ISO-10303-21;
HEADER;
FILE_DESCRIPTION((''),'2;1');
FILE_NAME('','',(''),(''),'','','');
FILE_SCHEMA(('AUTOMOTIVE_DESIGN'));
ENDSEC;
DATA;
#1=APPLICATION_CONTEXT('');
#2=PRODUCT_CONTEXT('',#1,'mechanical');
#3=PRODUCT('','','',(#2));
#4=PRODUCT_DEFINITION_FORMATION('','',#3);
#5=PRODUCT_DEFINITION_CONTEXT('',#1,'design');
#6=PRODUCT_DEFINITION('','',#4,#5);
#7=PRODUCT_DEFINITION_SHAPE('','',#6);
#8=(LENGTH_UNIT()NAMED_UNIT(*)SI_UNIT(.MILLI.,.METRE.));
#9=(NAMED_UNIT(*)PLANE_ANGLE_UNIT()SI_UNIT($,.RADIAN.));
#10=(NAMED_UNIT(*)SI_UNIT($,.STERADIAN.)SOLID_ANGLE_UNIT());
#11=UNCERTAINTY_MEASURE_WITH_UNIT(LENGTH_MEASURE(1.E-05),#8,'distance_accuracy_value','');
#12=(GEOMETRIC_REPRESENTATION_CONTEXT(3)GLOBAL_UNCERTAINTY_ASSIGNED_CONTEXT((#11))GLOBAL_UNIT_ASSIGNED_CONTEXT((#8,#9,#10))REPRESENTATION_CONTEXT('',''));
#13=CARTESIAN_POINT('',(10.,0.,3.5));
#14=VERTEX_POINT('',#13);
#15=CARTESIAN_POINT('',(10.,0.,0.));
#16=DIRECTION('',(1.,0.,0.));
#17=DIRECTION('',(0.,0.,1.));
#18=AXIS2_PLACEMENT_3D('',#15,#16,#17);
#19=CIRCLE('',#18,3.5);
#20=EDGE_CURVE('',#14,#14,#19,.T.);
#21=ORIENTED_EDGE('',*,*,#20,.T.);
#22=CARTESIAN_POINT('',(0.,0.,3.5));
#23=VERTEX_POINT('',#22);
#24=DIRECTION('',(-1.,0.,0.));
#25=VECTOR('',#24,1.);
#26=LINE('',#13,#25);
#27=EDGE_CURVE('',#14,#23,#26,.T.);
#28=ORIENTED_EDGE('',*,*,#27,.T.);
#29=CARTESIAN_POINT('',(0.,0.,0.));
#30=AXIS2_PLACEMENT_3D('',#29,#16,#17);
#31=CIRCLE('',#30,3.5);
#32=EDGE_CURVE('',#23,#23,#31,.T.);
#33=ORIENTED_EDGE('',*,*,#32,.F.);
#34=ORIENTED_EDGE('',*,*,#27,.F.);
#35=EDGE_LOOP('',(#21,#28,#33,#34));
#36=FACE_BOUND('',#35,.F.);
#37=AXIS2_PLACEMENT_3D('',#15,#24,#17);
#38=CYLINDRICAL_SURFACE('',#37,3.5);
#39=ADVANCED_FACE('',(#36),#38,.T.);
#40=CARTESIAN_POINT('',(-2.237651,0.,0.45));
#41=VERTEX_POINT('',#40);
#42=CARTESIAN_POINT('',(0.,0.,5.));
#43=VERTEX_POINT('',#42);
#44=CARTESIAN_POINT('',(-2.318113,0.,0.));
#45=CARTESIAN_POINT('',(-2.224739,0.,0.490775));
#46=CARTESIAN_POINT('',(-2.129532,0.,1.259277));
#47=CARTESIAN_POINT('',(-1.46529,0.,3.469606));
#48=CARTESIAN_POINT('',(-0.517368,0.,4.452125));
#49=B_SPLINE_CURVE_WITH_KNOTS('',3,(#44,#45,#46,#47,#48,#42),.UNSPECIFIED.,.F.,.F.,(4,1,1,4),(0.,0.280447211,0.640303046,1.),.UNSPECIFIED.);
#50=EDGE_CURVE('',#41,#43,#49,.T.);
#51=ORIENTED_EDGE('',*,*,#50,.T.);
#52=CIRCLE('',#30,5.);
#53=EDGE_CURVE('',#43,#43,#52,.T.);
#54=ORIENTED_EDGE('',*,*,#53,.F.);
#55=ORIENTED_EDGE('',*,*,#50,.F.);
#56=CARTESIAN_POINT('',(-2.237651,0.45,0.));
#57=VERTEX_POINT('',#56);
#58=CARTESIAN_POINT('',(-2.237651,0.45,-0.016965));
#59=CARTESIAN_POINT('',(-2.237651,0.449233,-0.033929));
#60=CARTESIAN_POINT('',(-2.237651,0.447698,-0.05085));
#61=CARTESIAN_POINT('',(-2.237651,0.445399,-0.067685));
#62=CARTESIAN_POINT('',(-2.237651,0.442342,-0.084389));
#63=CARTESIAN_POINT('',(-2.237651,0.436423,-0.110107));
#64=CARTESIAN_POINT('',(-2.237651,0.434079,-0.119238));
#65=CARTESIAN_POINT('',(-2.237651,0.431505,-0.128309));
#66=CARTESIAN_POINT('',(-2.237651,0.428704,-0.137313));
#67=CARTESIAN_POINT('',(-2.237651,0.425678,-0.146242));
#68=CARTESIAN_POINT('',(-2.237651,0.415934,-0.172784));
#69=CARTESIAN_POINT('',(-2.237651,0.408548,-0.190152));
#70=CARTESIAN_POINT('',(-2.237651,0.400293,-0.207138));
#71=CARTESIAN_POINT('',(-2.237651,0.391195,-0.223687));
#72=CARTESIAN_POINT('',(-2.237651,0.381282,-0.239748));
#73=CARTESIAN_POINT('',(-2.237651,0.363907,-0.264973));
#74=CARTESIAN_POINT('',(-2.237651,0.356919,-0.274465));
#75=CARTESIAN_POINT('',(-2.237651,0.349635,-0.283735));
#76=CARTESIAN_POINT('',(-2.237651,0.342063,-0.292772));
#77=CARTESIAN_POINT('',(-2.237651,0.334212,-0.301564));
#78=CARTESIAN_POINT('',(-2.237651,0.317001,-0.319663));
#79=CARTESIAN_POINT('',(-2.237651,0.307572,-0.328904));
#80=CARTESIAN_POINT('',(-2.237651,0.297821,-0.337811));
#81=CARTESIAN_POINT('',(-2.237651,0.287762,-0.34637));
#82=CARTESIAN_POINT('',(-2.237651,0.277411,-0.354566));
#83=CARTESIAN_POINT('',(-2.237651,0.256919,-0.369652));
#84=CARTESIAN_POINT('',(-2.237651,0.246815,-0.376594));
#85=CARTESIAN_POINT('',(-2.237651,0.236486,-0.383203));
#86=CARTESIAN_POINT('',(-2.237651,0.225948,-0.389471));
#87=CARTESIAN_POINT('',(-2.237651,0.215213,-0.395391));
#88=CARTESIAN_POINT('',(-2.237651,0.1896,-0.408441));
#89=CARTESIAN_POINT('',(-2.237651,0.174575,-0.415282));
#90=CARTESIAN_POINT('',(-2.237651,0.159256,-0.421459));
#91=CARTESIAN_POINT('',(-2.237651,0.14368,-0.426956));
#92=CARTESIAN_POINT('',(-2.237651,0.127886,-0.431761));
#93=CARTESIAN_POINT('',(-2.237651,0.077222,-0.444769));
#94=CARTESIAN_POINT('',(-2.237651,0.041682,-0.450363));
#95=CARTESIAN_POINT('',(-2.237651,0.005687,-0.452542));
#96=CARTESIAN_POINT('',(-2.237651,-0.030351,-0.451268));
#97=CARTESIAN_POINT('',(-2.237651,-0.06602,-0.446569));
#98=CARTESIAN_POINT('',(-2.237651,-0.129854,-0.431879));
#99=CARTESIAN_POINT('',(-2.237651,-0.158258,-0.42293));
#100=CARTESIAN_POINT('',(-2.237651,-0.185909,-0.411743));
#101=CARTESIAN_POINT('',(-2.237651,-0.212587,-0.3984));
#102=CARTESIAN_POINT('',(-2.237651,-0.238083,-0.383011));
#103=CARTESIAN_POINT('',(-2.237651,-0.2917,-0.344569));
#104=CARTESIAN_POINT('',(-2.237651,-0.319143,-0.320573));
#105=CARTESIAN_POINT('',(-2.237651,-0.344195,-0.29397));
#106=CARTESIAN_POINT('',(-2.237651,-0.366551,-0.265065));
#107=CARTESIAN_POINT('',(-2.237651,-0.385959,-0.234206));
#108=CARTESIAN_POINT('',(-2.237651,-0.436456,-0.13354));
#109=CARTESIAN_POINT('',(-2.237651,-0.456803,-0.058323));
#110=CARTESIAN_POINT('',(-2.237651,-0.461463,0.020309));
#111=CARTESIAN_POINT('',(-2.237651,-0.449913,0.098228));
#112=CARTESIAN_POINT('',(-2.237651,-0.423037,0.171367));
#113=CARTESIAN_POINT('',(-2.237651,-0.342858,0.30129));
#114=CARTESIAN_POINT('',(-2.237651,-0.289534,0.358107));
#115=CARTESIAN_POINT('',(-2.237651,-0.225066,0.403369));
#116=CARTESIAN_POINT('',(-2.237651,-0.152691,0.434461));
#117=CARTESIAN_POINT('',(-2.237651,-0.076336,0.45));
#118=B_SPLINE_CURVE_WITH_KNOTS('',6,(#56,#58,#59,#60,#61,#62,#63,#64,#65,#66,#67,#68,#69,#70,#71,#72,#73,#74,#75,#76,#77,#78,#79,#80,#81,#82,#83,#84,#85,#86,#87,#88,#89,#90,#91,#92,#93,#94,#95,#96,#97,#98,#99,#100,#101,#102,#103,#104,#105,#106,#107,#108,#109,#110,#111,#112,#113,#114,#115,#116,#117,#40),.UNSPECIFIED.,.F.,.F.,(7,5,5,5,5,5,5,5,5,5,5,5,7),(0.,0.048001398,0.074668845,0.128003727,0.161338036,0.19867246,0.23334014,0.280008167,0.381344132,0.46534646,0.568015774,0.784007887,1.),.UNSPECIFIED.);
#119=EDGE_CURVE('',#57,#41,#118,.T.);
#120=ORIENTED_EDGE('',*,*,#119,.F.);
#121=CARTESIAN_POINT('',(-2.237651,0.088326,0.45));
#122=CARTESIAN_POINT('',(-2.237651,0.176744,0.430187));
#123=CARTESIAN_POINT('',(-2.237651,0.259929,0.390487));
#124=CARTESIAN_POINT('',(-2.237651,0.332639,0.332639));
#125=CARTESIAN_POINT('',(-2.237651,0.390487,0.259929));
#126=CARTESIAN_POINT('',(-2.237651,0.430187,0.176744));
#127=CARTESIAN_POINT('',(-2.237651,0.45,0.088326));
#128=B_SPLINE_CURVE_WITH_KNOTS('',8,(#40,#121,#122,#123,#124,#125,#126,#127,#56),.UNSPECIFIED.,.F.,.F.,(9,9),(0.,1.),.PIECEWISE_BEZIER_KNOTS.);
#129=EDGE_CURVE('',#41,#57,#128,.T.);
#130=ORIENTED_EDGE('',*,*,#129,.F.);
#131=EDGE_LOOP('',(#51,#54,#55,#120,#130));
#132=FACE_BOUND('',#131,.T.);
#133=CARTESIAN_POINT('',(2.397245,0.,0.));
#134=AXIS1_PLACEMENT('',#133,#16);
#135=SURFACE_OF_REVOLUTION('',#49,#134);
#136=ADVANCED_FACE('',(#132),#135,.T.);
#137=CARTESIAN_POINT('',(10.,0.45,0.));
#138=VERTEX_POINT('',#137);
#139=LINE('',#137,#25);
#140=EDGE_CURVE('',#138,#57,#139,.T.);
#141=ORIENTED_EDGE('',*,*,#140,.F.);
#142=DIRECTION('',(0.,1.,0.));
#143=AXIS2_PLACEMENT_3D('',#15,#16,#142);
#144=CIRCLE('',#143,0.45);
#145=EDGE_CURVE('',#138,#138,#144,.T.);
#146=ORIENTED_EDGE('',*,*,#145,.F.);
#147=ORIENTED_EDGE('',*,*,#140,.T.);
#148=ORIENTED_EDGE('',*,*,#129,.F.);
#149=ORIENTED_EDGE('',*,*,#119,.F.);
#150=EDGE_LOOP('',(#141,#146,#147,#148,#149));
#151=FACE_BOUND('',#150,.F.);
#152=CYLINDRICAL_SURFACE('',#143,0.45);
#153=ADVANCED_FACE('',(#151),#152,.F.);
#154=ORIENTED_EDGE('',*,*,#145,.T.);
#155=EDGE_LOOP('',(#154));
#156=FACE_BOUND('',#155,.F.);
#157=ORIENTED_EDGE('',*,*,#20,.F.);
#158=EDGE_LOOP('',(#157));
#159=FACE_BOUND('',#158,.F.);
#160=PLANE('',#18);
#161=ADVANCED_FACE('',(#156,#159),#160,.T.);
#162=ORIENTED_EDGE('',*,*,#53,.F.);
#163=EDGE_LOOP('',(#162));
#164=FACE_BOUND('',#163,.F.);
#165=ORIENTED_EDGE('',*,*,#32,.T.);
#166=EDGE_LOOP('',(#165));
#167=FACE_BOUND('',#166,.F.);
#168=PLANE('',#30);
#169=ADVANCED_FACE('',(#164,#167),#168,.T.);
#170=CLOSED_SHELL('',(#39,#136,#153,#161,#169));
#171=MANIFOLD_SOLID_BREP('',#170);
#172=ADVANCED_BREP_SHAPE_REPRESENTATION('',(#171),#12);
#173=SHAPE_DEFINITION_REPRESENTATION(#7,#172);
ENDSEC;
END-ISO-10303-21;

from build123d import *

# Parameters (mm, degrees)
F2_R     = 0.45
F3_DEPTH = 25


with BuildPart() as f1:
    # F0 (on Front) → F1 (revolve)
    with BuildSketch(Plane.XZ):
        with BuildLine():
            Line((10, 3.5), (0, 3.5))
            Line((0, 3.5), (0, 5))
            add(Edge.make_bspline(
                [(-2.3181129471, 0), (-2.2247391491, 0.4907754741), (-2.129532292, 1.2592767365), (-1.4652901018, 3.4696062763), (-0.5173679192, 4.4521254152), (0, 5)],
                knots=[0, 0, 0, 0, 0.2804472113, 0.6403030457, 1, 1, 1, 1], degree=3))
            Line((-2.3181129471, 0), (10, 0))
            Line((10, 0), (10, 3.5))
        make_face()
    revolve(axis=Axis((2.3972453666, 0, 0), (1, 0, 0)))

    # F2 (on face) → F3 (cut)
    with BuildSketch(Plane.YZ.offset(10)):
        Circle(F2_R)
    extrude(amount=-F3_DEPTH, mode=Mode.SUBTRACT)


solid = f1.part
